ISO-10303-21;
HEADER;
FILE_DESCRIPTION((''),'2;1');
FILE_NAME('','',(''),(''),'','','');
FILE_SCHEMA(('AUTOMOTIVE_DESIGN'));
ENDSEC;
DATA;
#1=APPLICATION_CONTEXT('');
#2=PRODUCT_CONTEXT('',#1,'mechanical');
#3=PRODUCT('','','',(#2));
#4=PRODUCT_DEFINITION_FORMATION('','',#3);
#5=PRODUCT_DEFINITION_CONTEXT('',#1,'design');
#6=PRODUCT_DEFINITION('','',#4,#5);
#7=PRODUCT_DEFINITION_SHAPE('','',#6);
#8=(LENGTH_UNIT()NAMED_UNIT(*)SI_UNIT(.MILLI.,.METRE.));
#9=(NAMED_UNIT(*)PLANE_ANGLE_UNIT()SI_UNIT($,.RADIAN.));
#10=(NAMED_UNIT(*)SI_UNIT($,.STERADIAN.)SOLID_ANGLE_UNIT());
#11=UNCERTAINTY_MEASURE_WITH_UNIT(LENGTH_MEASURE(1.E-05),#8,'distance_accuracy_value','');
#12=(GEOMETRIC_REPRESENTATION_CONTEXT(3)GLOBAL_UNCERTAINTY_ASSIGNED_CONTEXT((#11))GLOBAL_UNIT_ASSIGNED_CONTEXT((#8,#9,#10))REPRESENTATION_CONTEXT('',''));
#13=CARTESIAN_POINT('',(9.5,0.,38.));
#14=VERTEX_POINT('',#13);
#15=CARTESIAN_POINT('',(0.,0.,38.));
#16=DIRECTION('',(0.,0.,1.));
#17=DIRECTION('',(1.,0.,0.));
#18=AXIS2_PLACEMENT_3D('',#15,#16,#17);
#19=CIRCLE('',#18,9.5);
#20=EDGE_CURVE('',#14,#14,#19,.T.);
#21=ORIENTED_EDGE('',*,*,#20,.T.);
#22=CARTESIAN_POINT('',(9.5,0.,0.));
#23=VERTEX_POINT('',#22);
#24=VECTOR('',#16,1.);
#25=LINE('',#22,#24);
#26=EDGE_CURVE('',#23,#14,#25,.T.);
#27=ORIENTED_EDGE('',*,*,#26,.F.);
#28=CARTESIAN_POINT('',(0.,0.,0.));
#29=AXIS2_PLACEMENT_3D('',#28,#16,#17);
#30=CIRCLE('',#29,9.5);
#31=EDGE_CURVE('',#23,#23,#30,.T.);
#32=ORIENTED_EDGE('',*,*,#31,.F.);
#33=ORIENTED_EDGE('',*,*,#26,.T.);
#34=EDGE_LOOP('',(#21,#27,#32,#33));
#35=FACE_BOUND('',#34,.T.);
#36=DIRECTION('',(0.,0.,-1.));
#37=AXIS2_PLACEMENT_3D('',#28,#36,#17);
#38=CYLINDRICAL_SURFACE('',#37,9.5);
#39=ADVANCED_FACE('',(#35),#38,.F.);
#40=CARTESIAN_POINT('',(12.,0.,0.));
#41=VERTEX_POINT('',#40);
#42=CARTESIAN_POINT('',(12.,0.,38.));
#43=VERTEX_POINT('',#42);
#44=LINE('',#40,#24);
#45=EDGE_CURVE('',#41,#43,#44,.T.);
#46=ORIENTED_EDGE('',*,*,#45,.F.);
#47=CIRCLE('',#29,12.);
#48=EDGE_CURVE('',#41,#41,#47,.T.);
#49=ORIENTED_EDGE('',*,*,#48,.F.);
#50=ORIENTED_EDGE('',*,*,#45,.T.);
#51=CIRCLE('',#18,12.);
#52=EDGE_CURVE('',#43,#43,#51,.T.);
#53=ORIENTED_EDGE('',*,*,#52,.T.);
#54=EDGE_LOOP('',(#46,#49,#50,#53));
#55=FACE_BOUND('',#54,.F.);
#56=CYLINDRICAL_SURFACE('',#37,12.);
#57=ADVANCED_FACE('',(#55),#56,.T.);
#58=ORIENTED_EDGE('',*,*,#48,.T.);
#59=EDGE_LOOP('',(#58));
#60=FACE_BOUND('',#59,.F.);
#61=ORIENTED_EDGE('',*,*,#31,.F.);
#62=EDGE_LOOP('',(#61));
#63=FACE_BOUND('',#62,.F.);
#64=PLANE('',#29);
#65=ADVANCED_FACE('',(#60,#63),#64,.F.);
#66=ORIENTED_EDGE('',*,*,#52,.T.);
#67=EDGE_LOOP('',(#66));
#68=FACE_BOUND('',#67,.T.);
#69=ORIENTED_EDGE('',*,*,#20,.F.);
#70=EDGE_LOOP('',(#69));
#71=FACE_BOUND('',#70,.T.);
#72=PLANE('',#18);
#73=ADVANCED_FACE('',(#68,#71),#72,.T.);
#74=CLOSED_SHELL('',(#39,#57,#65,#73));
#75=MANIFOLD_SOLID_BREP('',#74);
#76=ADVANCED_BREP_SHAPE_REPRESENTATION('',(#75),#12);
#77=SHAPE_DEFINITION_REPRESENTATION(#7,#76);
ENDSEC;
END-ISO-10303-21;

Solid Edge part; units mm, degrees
sketch "Sketch1" plane through (0, 0, 0) normal (0, 0, 1) x (1, 0, 0)
  circle A0 centre (0, 0) radius 12
  circle A1 centre (0, 0) radius 9.5
  dimension "D1" = 19
  dimension "D2" = 24
extrude "Protrusion1" add sketch "Sketch1" along normal blind 38
